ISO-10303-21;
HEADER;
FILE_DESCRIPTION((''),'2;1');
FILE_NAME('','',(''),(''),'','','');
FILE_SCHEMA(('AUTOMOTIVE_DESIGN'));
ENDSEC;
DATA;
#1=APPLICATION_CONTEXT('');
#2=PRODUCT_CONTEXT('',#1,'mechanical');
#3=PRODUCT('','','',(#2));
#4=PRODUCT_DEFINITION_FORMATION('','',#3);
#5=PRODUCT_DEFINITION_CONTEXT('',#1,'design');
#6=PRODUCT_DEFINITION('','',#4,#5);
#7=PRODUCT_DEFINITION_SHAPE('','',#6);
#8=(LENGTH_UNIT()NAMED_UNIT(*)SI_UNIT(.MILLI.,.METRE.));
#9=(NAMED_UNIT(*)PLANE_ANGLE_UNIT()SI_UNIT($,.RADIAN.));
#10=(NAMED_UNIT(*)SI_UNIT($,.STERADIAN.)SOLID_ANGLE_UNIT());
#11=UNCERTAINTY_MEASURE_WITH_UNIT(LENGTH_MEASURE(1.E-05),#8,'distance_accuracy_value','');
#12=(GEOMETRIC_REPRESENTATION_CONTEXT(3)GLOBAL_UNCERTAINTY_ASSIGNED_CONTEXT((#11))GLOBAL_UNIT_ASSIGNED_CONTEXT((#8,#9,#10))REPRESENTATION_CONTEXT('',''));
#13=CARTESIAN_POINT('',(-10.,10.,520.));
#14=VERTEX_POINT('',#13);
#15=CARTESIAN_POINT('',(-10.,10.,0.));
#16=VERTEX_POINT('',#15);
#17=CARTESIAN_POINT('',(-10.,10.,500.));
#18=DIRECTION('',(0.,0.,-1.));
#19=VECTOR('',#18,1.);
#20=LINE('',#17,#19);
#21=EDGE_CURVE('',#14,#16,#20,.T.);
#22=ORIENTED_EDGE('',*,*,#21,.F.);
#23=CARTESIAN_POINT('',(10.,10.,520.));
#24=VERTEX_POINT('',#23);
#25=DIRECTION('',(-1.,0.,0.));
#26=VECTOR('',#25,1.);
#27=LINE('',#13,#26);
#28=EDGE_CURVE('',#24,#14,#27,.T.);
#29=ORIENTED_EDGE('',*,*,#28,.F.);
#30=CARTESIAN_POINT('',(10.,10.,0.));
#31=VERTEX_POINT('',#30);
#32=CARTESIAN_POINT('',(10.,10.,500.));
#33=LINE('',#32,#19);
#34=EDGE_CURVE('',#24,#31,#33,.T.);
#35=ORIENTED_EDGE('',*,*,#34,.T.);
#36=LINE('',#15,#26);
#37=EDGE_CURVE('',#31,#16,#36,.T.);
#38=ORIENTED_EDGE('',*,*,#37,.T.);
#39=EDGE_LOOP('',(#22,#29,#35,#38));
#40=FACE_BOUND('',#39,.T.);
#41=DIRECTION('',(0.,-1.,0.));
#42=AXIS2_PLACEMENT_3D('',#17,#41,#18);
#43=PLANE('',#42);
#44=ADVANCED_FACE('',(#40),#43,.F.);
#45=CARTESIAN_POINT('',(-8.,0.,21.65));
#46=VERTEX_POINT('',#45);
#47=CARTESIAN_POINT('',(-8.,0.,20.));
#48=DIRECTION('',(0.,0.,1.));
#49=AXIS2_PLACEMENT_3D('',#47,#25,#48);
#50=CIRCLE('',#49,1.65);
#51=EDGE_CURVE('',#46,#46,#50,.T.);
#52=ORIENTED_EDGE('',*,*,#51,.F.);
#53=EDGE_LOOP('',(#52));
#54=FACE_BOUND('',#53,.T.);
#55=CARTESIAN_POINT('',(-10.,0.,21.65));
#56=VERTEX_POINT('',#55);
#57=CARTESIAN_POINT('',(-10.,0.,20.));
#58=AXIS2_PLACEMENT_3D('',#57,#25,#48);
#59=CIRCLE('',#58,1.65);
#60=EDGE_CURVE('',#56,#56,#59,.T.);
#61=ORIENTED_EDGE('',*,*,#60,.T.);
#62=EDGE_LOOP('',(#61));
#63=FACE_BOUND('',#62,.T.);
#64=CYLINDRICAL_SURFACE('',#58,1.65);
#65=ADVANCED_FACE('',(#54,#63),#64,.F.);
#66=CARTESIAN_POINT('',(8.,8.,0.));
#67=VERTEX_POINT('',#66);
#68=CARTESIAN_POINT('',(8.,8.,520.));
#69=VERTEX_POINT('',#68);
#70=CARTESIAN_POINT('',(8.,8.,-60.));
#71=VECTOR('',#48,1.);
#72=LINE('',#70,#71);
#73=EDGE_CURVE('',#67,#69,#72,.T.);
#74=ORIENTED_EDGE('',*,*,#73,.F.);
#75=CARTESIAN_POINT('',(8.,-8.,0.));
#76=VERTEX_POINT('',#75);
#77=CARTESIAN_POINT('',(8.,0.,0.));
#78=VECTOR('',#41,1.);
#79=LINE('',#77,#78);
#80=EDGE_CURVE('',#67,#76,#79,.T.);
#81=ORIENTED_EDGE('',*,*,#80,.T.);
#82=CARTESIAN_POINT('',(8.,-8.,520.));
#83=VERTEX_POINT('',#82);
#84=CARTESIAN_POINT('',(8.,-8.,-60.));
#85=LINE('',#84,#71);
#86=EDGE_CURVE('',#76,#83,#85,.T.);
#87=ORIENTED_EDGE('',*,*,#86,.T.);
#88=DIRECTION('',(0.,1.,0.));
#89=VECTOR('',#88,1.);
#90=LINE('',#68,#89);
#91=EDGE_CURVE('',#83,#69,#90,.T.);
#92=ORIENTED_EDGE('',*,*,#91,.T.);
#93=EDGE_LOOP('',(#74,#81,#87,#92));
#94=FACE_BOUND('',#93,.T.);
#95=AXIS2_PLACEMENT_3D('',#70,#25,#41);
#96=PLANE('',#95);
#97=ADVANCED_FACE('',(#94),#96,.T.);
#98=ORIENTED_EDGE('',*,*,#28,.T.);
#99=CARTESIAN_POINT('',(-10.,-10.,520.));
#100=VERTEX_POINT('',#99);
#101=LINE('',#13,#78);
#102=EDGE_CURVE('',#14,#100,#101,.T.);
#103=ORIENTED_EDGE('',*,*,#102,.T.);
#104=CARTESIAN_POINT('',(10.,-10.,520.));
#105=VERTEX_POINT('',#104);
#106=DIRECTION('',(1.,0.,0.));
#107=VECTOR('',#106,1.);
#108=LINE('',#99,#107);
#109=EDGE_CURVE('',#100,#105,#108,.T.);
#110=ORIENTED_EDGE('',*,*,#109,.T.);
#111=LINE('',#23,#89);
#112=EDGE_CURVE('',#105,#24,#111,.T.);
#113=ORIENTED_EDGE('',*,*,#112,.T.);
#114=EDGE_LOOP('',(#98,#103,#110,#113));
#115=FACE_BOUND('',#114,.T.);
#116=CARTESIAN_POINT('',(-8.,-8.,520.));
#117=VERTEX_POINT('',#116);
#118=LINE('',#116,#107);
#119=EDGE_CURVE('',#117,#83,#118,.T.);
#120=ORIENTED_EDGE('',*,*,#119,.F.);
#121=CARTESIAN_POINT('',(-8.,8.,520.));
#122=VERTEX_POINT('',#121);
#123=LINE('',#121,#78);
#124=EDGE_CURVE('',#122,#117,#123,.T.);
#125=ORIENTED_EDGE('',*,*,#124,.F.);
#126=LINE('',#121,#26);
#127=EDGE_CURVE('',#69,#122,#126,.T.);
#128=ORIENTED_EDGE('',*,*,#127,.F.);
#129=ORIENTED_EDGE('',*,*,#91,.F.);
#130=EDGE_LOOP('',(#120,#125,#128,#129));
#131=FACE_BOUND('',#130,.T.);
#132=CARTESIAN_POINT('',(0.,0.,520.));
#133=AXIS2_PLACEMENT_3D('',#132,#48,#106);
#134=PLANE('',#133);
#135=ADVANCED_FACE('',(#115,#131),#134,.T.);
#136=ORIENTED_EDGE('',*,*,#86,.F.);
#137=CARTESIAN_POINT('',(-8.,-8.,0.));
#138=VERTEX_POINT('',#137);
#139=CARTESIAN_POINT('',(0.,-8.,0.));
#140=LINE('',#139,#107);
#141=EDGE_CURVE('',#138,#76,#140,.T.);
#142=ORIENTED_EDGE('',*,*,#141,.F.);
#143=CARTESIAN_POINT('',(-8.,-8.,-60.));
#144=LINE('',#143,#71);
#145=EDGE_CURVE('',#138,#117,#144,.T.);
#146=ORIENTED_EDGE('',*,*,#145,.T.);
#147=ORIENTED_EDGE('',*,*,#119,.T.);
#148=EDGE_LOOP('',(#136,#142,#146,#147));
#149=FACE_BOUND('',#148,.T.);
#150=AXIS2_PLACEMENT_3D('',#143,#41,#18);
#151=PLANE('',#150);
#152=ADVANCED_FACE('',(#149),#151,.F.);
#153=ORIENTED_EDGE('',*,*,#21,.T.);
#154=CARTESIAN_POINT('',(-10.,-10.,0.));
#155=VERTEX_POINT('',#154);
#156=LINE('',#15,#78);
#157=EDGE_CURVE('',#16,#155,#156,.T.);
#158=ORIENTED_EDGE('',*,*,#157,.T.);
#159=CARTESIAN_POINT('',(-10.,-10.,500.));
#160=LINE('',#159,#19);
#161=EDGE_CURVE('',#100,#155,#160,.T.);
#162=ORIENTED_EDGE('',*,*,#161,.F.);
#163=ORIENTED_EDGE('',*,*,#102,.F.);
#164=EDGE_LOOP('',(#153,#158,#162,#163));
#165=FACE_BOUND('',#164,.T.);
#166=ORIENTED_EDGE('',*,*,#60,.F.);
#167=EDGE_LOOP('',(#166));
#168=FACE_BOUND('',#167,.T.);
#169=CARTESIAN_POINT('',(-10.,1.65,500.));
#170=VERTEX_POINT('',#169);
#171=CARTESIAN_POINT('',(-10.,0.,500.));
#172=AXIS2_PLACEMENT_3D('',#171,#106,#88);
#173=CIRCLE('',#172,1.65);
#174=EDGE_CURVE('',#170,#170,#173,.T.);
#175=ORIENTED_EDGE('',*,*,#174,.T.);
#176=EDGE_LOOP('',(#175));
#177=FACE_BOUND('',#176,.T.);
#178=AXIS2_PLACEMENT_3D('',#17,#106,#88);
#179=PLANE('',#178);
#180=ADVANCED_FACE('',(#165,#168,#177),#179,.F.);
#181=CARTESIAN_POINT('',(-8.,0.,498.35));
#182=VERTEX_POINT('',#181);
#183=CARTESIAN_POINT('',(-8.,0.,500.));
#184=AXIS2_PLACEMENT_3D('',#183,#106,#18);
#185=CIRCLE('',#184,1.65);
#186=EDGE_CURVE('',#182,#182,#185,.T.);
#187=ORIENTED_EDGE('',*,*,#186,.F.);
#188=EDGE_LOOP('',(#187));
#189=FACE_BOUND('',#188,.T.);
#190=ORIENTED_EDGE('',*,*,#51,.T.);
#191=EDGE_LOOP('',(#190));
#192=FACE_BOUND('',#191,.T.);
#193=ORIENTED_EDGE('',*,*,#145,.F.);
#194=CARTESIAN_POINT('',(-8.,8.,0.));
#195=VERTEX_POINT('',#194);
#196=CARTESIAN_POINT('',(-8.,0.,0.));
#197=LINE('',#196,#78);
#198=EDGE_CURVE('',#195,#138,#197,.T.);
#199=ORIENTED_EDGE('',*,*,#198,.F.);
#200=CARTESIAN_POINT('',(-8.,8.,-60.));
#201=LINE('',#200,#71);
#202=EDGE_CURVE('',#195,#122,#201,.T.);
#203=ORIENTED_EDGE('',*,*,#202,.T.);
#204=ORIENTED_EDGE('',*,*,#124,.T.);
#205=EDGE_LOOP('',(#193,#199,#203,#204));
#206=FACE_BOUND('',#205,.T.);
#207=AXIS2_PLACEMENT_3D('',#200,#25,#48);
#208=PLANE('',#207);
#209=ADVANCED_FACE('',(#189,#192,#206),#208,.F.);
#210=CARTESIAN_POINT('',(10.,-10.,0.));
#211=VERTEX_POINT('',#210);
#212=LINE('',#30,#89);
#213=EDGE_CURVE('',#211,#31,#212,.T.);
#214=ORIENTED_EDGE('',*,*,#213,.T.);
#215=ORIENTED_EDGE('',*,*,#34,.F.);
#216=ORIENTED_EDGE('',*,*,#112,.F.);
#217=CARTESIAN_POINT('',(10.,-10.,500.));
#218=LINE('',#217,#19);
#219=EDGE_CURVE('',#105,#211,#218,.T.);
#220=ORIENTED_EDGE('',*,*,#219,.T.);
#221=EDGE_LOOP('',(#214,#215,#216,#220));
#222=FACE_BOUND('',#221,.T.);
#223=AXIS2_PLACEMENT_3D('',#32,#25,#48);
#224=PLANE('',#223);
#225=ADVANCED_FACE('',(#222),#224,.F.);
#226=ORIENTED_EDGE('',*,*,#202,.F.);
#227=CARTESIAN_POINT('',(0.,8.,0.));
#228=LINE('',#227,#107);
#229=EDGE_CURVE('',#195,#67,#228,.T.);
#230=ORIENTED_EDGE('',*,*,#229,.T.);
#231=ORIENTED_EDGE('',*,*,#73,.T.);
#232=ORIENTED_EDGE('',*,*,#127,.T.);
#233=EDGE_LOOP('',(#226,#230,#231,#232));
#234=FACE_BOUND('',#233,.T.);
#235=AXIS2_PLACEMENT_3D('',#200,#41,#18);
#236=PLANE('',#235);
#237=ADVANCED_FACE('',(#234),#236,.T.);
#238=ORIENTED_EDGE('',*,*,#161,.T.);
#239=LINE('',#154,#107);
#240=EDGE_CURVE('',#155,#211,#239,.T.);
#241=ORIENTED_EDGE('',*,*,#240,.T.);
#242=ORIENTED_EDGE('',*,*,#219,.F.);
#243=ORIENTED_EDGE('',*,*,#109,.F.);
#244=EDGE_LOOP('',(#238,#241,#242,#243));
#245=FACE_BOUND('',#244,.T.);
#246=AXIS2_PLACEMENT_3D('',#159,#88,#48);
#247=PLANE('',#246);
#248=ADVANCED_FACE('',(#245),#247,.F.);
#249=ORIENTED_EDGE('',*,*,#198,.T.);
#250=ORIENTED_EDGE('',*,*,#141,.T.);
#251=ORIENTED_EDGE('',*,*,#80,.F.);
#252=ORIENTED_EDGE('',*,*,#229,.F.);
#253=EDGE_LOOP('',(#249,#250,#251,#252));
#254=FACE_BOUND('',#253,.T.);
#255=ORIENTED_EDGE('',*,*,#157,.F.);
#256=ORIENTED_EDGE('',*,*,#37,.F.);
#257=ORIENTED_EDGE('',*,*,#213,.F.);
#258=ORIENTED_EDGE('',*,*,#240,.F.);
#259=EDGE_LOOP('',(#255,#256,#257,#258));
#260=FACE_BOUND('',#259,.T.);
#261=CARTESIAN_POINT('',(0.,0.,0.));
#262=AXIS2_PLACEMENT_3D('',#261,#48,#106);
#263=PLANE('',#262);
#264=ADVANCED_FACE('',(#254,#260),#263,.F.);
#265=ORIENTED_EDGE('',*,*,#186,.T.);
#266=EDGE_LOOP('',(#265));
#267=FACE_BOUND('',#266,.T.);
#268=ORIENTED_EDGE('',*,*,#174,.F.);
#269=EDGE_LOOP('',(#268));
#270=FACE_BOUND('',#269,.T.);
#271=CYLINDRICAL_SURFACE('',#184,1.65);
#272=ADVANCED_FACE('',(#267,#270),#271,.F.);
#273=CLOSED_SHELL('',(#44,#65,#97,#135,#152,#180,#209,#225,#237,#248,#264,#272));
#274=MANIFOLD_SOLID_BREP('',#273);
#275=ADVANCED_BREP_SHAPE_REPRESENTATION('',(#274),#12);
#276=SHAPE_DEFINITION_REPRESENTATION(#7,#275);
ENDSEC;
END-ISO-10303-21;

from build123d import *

# Parameters (mm, degrees)
SKETCH_3_W               = 20
SKETCH_3_H               = 20
EXTRUDE_1_DEPTH          = 500
SKETCH_6_W               = 16
SKETCH_6_H               = 16
CUT_EXTRUDE_3_DEPTH      = 560
SKETCH_8_W               = 20
SKETCH_8_H               = 20
SKETCH_8_W_2             = 16
SKETCH_8_H_2             = 16
EXTRUDE_3_DEPTH          = 20
SKETCH_12_R              = 1
CUT_EXTRUDE_7_DEPTH      = 10
M4X0_7_1_D               = 3.3
M4X0_7_1_DEPTH           = 11.5
M4X0_7_1_TIP             = 0.991420021
M4X0_7_1_ON_FACE_2_D     = 3.3
M4X0_7_1_ON_FACE_2_DEPTH = 11.5
M4X0_7_1_ON_FACE_2_TIP   = 0.991420021


with BuildPart() as part:
    # ｽｹｯﾁ3 → ﾎﾞｽ - 押し出し1 (new body)
    with BuildSketch(Plane.XY):
        Rectangle(SKETCH_3_W, SKETCH_3_H)
    extrude(amount=EXTRUDE_1_DEPTH)

    # ｽｹｯﾁ6 → ｶｯﾄ - 押し出し3 (cut)
    with BuildSketch(Plane.XY.offset(500)):
        Rectangle(SKETCH_6_W, SKETCH_6_H)
    extrude(amount=-CUT_EXTRUDE_3_DEPTH, mode=Mode.SUBTRACT)

    # ｽｹｯﾁ8 → ﾎﾞｽ - 押し出し3 (add)
    with BuildSketch(Plane.XY.offset(500)):
        Rectangle(SKETCH_8_W, SKETCH_8_H)
        Rectangle(SKETCH_8_W_2, SKETCH_8_H_2, mode=Mode.SUBTRACT)
    extrude(amount=EXTRUDE_3_DEPTH)

    # ｽｹｯﾁ12 → ｶｯﾄ - 押し出し7 (cut)
    with BuildSketch(Plane.ZY.offset(10)):
        with Locations((20, 0)):
            Circle(SKETCH_12_R)
        with Locations((500, 0)):
            Circle(SKETCH_12_R)
    extrude(amount=-CUT_EXTRUDE_7_DEPTH, mode=Mode.SUBTRACT)

    # M4x0.7 ねじ穴1
    with Locations(Plane(origin=(-10, 0, 20), x_dir=(0, -1, 0), z_dir=(-1, 0, 0))):
        with Locations((0, 0)):
            Hole(M4X0_7_1_D / 2, depth=M4X0_7_1_DEPTH)
            with Locations((0, 0, -(M4X0_7_1_DEPTH + M4X0_7_1_TIP / 2))):  # 118° drill point
                Cone(0, M4X0_7_1_D / 2, M4X0_7_1_TIP, mode=Mode.SUBTRACT)

    # M4x0.7 ねじ穴1 on face 2
    with Locations(Plane(origin=(-8, 0, 500), x_dir=(0, -1, 0), z_dir=(-1, 0, 0))):
        with Locations((0, 0)):
            Hole(M4X0_7_1_ON_FACE_2_D / 2, depth=M4X0_7_1_ON_FACE_2_DEPTH)
            with Locations((0, 0, -(M4X0_7_1_ON_FACE_2_DEPTH + M4X0_7_1_ON_FACE_2_TIP / 2))):  # 118° drill point
                Cone(0, M4X0_7_1_ON_FACE_2_D / 2, M4X0_7_1_ON_FACE_2_TIP, mode=Mode.SUBTRACT)


solid = part.part
